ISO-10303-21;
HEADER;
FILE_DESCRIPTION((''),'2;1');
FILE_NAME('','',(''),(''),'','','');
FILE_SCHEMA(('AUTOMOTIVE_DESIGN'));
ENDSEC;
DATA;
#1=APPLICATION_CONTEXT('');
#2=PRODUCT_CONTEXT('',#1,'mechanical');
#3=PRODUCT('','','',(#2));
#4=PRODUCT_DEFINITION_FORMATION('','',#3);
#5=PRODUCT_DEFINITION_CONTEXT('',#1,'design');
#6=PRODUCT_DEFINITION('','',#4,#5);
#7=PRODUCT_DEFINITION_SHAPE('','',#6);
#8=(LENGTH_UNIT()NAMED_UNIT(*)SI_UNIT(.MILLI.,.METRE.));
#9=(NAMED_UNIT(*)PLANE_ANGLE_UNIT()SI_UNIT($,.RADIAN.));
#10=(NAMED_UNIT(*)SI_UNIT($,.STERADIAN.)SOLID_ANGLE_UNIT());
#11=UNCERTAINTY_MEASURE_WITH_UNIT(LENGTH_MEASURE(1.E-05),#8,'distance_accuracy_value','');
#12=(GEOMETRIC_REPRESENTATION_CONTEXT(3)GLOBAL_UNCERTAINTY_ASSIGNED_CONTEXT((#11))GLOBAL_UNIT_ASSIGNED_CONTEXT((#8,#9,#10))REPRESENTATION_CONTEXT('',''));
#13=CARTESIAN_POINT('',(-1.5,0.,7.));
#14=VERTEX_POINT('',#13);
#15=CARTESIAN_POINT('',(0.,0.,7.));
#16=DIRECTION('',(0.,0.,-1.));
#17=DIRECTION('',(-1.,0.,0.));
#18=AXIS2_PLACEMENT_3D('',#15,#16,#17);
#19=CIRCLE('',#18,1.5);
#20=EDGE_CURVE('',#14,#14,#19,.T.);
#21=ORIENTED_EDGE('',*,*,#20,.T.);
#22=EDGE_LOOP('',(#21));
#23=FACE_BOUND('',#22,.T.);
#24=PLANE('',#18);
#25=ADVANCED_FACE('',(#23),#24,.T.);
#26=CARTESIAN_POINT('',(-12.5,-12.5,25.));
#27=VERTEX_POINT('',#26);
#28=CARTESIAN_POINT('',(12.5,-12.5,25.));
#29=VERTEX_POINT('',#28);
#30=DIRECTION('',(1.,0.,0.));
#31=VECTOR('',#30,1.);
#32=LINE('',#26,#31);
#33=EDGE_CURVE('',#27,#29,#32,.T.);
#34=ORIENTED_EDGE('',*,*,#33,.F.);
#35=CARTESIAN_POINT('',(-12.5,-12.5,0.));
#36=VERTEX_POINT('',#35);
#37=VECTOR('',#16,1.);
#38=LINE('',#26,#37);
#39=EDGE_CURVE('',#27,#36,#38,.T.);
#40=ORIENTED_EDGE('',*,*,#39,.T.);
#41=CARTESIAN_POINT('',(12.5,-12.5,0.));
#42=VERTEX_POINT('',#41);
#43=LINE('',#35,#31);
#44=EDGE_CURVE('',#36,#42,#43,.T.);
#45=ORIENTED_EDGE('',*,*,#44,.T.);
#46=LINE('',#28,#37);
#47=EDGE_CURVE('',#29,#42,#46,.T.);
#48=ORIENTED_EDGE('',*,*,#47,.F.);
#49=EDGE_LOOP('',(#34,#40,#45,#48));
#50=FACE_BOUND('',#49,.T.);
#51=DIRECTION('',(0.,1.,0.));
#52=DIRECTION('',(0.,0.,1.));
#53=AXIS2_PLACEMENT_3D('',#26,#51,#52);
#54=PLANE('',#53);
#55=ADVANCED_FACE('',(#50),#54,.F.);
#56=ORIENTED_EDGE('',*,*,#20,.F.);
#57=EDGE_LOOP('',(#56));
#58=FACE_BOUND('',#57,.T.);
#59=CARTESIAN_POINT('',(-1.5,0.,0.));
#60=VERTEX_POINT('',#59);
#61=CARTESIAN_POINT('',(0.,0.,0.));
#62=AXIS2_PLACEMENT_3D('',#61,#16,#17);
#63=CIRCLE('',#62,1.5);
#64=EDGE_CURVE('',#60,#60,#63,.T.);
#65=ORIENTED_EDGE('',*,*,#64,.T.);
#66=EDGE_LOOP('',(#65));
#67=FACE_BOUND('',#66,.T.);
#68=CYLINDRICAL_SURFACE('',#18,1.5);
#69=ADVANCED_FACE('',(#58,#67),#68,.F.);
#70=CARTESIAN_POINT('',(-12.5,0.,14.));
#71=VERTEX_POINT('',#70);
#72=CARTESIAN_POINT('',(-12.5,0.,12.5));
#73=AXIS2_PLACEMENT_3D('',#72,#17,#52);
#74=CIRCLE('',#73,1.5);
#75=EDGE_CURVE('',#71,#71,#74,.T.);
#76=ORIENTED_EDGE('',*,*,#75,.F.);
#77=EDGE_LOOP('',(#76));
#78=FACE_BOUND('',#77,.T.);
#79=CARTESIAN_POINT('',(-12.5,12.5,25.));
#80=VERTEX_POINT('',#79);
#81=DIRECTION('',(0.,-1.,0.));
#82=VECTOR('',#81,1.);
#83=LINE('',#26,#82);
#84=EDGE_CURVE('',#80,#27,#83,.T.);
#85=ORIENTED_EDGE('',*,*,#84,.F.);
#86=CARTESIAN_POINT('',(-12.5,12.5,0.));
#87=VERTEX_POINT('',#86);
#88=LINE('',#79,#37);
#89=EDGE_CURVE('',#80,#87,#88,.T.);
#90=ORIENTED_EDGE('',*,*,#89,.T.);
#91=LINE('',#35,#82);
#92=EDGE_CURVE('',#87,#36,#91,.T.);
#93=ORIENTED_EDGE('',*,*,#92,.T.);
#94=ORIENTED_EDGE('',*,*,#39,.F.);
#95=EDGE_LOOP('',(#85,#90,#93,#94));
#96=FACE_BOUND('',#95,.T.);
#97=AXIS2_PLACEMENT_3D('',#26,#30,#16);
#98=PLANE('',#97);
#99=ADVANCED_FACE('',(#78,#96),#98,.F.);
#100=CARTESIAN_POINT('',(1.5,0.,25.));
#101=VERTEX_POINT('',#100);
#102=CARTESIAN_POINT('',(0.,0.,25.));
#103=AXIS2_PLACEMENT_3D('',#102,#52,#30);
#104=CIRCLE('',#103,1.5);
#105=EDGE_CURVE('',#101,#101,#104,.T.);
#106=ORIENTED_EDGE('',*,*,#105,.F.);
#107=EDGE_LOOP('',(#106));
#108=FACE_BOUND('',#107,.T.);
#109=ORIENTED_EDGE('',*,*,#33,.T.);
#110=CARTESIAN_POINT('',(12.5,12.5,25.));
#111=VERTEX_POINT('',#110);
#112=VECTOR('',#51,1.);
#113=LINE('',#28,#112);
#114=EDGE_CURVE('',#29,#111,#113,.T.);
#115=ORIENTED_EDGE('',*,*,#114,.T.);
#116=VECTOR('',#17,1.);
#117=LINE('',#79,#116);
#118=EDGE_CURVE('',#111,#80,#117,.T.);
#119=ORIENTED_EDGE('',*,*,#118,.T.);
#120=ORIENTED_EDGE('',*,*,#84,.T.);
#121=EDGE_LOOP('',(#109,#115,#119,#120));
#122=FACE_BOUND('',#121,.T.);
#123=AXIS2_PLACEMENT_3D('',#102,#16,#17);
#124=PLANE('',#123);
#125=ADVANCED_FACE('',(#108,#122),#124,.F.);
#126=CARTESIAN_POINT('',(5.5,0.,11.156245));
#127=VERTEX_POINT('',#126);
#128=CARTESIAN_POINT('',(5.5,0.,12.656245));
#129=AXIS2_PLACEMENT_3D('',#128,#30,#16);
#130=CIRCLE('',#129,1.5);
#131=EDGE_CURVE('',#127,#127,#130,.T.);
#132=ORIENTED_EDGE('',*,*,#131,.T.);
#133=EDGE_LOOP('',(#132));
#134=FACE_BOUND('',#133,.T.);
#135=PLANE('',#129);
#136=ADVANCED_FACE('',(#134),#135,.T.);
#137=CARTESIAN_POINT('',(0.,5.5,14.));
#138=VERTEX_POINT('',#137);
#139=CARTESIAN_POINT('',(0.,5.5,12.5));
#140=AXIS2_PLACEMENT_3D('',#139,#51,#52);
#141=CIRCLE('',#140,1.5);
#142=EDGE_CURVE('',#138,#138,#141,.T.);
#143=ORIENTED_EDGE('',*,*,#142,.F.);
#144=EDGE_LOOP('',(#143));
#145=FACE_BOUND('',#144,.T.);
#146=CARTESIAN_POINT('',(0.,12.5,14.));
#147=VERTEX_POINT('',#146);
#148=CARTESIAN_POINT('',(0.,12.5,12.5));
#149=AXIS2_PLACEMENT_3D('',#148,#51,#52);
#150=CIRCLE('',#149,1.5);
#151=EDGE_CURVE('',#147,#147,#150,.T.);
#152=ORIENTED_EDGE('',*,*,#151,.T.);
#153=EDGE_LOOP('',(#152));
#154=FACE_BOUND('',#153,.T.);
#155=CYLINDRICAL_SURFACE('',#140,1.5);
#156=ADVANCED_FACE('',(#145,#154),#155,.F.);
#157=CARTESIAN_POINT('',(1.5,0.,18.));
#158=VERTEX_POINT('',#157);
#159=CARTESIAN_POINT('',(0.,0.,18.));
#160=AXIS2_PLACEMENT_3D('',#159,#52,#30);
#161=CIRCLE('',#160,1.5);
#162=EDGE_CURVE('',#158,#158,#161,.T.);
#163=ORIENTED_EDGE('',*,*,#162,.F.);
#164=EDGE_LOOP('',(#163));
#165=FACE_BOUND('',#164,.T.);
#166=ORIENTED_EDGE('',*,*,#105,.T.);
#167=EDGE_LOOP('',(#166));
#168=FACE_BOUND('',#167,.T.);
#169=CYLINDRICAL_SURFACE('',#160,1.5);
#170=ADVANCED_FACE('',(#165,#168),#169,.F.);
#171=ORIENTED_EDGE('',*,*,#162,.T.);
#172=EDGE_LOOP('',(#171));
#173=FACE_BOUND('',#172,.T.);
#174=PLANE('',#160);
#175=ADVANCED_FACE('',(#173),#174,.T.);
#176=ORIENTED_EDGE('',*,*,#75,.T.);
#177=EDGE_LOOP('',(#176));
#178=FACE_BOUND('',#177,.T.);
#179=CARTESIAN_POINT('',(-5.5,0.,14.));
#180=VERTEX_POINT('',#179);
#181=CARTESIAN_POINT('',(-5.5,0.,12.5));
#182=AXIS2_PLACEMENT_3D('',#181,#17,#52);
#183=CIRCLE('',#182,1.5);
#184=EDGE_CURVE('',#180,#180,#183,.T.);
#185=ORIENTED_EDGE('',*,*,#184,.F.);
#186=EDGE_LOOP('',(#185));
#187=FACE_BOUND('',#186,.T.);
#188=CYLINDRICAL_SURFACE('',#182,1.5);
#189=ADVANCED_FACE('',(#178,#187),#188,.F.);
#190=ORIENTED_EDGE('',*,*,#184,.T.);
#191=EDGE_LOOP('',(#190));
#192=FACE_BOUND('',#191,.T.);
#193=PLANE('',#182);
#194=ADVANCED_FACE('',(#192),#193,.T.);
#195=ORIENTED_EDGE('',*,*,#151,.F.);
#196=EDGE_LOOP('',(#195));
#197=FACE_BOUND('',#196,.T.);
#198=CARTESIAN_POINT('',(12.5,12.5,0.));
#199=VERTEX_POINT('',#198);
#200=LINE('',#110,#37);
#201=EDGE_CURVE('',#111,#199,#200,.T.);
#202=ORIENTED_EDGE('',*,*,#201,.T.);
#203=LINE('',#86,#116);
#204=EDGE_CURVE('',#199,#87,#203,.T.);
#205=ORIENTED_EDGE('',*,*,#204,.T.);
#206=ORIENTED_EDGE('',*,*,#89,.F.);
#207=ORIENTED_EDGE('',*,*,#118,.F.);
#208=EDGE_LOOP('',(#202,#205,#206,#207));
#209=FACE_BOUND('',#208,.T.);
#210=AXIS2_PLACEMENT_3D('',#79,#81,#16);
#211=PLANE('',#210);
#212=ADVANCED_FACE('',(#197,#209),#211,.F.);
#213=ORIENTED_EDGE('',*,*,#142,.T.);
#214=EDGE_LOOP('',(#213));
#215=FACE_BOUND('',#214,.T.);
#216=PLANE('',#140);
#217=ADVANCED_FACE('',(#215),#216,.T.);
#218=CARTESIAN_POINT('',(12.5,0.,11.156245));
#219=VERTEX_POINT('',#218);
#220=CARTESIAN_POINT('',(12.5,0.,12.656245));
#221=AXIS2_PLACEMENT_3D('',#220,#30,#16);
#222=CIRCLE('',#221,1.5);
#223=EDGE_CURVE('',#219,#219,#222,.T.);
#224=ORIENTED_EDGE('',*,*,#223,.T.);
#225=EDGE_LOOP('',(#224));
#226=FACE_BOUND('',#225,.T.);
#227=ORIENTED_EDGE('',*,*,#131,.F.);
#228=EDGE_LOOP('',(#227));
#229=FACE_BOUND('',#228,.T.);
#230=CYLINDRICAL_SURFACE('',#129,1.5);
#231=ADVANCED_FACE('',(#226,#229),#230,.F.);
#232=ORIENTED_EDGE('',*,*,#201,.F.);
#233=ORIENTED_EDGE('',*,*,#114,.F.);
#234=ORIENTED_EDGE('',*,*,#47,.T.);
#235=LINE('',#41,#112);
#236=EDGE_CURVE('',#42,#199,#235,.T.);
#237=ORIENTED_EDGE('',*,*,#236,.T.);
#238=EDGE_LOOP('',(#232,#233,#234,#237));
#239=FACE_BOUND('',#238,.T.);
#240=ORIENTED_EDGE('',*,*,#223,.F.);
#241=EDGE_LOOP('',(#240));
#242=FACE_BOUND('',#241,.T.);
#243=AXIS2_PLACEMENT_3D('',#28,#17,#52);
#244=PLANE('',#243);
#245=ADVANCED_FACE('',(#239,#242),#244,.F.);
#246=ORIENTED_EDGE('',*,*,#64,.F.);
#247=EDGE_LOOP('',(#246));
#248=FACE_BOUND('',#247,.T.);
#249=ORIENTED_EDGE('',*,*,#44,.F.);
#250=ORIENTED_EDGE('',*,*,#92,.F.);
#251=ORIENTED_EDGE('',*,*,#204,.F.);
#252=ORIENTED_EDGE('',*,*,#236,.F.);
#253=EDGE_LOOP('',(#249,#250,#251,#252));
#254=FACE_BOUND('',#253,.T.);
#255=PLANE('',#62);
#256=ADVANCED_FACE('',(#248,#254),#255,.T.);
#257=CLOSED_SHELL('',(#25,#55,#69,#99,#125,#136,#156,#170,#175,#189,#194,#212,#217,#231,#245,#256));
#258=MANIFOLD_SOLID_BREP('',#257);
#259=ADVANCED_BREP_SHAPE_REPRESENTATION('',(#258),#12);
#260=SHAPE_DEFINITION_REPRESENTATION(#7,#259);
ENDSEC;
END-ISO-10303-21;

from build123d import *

# Parameters (mm, degrees)
SKETCH1_W           = 25
SKETCH1_H           = 25
BOSS_EXTRUDE3_DEPTH = 25
SKETCH3_R           = 1.5
CUT_EXTRUDE1_DEPTH  = 7
SKETCH4_R           = 1.5
CUT_EXTRUDE2_DEPTH  = 7
SKETCH5_R           = 1.5
CUT_EXTRUDE3_DEPTH  = 7
CUT_EXTRUDE4_START  = -7
SKETCH6_R           = 1.5
CUT_EXTRUDE4_DEPTH  = 7
SKETCH7_R           = 1.5
CUT_EXTRUDE5_DEPTH  = 7


with BuildPart() as part:
    # Sketch1 → Boss-Extrude3 (new body)
    with BuildSketch(Plane.XY):
        Rectangle(SKETCH1_W, SKETCH1_H)
    extrude(amount=BOSS_EXTRUDE3_DEPTH)

    # Sketch3 → Cut-Extrude1 (cut)
    with BuildSketch(Plane(origin=(0, 12.5, 0), x_dir=(1, 0, 0), z_dir=(0, 1, 0))):
        with Locations(Location((0, -12.5, 0), (0, 0, 270))):
            Circle(SKETCH3_R)
    extrude(amount=-CUT_EXTRUDE1_DEPTH, mode=Mode.SUBTRACT)

    # Sketch4 → Cut-Extrude2 (cut)
    with BuildSketch(Plane.XY.offset(25)):
        Circle(SKETCH4_R)
    extrude(amount=-CUT_EXTRUDE2_DEPTH, mode=Mode.SUBTRACT)

    # Sketch5 → Cut-Extrude3 (cut)
    with BuildSketch(Plane(origin=(12.5, 0, 0), x_dir=(0, 0, -1), z_dir=(1, 0, 0))):
        with Locations((-12.656245037, 0)):
            Circle(SKETCH5_R)
    extrude(amount=-CUT_EXTRUDE3_DEPTH, mode=Mode.SUBTRACT)

    # Sketch6 → Cut-Extrude4 (cut)
    with BuildSketch(Plane(origin=(0, 0, 0), x_dir=(-1, 0, 0), z_dir=(0, 0, -1)).offset(CUT_EXTRUDE4_START)):
        with Locations(Location((0, 0, 0), (0, 0, 180))):
            Circle(SKETCH6_R)
    extrude(amount=CUT_EXTRUDE4_DEPTH, mode=Mode.SUBTRACT)

    # Sketch7 → Cut-Extrude5 (cut)
    with BuildSketch(Plane.ZY.offset(12.5)):
        with Locations((12.5, 0)):
            Circle(SKETCH7_R)
    extrude(amount=-CUT_EXTRUDE5_DEPTH, mode=Mode.SUBTRACT)


solid = part.part
